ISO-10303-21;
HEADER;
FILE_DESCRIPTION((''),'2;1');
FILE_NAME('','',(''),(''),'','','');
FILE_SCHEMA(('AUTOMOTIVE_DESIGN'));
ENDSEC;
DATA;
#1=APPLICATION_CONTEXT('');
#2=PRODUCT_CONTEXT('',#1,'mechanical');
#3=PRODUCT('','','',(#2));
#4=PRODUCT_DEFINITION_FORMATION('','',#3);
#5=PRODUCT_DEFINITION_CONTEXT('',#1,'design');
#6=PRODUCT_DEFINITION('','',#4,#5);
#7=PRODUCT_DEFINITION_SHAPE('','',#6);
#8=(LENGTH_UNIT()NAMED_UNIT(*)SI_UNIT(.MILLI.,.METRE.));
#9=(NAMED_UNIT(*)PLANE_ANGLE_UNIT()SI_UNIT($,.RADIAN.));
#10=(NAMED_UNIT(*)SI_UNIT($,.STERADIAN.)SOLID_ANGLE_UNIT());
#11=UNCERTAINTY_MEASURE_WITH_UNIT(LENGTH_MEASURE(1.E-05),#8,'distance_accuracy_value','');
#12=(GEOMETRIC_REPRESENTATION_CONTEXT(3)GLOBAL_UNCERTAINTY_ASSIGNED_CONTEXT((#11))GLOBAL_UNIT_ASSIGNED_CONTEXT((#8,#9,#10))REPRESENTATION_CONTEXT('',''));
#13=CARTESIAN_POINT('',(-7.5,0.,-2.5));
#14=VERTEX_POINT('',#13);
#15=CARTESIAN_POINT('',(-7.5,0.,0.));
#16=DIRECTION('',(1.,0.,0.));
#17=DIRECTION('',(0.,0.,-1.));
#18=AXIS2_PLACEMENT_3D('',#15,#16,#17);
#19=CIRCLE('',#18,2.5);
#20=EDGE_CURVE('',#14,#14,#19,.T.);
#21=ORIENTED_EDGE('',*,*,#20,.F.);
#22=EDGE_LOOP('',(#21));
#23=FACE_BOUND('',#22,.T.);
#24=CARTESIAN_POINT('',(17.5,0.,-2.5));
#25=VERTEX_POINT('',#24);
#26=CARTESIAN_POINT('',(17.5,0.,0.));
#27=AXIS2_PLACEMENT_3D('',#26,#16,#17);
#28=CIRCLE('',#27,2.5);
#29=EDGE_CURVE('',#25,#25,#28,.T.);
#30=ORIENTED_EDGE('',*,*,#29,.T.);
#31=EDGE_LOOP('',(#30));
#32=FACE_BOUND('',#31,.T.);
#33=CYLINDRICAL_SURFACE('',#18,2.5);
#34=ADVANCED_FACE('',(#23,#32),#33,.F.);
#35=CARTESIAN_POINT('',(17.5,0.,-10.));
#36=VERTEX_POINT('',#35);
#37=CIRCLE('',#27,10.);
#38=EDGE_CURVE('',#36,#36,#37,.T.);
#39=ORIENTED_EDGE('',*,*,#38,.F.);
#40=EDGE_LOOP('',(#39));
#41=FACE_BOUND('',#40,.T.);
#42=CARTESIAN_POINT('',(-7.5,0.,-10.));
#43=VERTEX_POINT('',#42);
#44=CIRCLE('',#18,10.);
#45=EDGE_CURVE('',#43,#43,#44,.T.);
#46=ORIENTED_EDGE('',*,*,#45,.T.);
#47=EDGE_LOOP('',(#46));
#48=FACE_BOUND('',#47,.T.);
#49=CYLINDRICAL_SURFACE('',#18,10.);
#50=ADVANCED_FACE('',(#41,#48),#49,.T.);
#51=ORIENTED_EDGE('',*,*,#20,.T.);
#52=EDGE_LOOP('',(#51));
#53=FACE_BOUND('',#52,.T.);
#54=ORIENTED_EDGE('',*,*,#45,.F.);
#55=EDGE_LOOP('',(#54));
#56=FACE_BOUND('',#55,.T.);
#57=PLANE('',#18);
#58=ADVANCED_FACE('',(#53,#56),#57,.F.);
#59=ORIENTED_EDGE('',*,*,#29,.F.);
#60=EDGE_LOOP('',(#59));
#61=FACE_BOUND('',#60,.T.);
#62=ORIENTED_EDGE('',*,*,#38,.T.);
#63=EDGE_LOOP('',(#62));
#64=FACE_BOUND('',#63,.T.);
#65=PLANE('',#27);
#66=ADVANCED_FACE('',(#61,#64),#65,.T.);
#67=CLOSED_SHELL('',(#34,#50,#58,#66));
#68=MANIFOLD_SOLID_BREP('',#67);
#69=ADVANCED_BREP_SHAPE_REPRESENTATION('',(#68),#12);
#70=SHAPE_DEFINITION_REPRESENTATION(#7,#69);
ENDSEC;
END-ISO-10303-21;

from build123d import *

# Parameters (mm, degrees)
BOSS_EXTRUDE1_DEPTH      = 17.5
BOSS_EXTRUDE1_DEPTH_BACK = 7.5
SKETCH1_R                = 10
SKETCH1_R_2              = 2.5


with BuildPart() as part:
    # Sketch1 → Boss-Extrude1 (new, two sides: drawn at the far end of the back side and taken through both)
    with BuildSketch(Plane(origin=(0, 0, 0), x_dir=(0, 0, -1), z_dir=(1, 0, 0)).offset(-BOSS_EXTRUDE1_DEPTH_BACK)):
        Circle(SKETCH1_R)
        Circle(SKETCH1_R_2, mode=Mode.SUBTRACT)
    extrude(amount=BOSS_EXTRUDE1_DEPTH + BOSS_EXTRUDE1_DEPTH_BACK)


solid = part.part
